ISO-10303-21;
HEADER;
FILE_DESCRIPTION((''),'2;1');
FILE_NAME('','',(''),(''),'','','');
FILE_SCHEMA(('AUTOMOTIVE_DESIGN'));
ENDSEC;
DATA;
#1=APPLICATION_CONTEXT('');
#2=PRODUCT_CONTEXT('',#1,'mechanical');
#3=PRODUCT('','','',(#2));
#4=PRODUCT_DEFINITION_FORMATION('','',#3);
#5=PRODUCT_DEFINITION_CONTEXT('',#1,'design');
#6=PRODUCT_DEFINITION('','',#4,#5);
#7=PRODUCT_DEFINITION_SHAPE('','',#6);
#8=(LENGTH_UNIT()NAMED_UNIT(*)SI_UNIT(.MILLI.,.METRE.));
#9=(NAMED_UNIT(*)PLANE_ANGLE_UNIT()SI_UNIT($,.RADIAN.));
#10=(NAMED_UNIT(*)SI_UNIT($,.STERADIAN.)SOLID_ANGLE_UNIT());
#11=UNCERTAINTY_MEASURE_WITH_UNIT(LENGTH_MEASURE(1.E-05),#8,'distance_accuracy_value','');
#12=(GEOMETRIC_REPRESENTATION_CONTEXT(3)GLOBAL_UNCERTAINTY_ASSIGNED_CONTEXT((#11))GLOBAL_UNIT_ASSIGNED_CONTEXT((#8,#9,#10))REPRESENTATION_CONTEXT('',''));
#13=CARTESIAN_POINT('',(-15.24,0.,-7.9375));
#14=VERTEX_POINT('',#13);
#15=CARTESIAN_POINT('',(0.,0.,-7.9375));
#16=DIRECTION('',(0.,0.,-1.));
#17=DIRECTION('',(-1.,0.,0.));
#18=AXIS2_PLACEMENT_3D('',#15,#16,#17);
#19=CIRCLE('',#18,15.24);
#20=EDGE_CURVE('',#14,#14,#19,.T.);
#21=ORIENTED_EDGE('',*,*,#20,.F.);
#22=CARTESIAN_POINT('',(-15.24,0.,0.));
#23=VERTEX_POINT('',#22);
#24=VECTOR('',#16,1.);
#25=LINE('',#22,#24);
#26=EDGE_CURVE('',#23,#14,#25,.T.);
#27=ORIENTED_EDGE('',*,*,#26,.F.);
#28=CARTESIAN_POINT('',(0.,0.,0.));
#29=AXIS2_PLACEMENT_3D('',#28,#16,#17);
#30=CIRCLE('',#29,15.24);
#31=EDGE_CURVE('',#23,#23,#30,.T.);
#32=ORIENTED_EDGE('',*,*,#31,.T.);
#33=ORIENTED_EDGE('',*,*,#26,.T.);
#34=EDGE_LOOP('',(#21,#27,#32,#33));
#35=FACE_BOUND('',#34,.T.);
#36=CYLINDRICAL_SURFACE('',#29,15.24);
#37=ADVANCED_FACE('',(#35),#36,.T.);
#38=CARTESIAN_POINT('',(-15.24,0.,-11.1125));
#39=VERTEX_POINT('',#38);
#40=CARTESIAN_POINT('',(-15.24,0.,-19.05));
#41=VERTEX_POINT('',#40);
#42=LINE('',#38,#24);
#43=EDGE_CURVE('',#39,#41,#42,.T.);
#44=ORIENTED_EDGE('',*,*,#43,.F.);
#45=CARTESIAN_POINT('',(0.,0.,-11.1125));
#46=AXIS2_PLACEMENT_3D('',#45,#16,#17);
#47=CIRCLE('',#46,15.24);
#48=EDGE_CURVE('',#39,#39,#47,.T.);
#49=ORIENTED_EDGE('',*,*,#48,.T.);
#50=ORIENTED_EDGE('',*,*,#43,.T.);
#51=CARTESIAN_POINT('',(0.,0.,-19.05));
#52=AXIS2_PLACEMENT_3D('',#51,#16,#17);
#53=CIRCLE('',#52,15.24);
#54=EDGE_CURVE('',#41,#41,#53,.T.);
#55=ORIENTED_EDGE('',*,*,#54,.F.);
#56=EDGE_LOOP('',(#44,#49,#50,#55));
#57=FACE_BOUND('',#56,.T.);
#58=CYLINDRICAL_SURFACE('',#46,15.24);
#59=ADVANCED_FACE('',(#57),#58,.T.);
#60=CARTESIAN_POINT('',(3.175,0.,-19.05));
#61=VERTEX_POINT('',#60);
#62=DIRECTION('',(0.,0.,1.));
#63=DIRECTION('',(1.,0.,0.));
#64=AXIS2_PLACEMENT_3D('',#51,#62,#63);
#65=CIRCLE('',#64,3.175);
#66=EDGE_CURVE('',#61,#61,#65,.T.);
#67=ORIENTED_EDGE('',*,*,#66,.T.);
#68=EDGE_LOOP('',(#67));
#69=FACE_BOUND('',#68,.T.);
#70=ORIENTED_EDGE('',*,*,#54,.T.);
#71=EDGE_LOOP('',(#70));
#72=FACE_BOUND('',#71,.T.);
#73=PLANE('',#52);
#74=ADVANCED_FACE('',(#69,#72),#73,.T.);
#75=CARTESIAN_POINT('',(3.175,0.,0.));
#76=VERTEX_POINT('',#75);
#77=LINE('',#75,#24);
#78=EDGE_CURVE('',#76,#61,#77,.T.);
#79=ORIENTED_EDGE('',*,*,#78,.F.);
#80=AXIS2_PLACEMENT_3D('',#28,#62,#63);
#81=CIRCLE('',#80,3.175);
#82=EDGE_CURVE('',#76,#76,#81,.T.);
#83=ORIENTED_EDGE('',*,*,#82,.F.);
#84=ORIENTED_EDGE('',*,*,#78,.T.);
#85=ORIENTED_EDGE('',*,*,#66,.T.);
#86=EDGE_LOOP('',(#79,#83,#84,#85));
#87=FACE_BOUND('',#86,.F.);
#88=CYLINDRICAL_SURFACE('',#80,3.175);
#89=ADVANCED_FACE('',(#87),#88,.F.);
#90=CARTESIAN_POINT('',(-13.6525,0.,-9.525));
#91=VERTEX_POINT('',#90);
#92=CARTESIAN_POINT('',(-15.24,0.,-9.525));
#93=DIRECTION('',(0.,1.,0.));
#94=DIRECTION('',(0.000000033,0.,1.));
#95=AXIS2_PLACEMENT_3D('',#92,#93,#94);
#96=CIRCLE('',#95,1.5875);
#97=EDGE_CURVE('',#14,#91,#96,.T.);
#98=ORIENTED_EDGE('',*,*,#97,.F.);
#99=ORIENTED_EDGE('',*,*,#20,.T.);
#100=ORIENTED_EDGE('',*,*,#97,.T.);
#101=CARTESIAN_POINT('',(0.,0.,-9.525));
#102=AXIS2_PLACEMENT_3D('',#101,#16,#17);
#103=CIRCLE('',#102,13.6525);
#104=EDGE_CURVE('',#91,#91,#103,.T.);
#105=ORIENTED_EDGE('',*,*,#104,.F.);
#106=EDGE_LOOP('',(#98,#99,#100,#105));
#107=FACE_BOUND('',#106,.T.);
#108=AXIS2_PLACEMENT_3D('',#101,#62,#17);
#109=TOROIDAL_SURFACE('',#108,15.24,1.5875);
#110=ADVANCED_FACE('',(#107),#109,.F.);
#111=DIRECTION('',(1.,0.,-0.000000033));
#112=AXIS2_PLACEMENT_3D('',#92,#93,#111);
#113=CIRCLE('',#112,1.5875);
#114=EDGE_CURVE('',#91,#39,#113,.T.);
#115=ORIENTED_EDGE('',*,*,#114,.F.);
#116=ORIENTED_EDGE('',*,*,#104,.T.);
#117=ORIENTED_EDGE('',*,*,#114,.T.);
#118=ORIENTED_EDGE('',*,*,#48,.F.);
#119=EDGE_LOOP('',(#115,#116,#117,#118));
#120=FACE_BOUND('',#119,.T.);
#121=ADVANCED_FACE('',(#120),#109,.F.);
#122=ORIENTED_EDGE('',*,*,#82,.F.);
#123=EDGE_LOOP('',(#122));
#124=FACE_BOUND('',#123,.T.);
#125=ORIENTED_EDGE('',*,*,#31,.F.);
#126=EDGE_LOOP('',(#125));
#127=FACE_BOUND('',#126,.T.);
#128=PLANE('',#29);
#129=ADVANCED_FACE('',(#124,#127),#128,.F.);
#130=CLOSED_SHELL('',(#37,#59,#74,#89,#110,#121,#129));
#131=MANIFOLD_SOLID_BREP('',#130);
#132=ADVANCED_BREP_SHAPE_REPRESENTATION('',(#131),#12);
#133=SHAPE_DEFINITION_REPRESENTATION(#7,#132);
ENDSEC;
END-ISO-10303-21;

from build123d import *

# Parameters (mm, degrees)
F2_R     = 3.175
F3_DEPTH = 25.4
F4_R     = 3.175
F5_DEPTH = 25.4


with BuildPart() as f1:
    # F0 (on Front) → F1 (revolve)
    with BuildSketch(Plane.XZ):
        with BuildLine():
            Line((0, -19.05), (0, 0))
            Line((0, 0), (-15.24, 0))
            Line((-15.24, 0), (-15.24, -7.9375))
            ThreePointArc((-15.24, -7.9375), (-14.117468, -8.402468), (-13.6525, -9.525))
            ThreePointArc((-13.6525, -9.525), (-14.117468, -10.647532), (-15.24, -11.1125))
            Line((-15.24, -11.1125), (-15.24, -19.05))
            Line((-15.24, -19.05), (0, -19.05))
        make_face()
    revolve(axis=Axis((0, 0, -9.525), (0, 0, -1)))

    # F2 (on face) → F3 (cut)
    with BuildSketch(Plane.XY):
        Circle(F2_R)
    extrude(amount=-F3_DEPTH, mode=Mode.SUBTRACT)

    # F4 (on face) → F5 (cut)
    with BuildSketch(Plane.XY):
        Circle(F4_R)
    extrude(amount=-F5_DEPTH, mode=Mode.SUBTRACT)


solid = f1.part
